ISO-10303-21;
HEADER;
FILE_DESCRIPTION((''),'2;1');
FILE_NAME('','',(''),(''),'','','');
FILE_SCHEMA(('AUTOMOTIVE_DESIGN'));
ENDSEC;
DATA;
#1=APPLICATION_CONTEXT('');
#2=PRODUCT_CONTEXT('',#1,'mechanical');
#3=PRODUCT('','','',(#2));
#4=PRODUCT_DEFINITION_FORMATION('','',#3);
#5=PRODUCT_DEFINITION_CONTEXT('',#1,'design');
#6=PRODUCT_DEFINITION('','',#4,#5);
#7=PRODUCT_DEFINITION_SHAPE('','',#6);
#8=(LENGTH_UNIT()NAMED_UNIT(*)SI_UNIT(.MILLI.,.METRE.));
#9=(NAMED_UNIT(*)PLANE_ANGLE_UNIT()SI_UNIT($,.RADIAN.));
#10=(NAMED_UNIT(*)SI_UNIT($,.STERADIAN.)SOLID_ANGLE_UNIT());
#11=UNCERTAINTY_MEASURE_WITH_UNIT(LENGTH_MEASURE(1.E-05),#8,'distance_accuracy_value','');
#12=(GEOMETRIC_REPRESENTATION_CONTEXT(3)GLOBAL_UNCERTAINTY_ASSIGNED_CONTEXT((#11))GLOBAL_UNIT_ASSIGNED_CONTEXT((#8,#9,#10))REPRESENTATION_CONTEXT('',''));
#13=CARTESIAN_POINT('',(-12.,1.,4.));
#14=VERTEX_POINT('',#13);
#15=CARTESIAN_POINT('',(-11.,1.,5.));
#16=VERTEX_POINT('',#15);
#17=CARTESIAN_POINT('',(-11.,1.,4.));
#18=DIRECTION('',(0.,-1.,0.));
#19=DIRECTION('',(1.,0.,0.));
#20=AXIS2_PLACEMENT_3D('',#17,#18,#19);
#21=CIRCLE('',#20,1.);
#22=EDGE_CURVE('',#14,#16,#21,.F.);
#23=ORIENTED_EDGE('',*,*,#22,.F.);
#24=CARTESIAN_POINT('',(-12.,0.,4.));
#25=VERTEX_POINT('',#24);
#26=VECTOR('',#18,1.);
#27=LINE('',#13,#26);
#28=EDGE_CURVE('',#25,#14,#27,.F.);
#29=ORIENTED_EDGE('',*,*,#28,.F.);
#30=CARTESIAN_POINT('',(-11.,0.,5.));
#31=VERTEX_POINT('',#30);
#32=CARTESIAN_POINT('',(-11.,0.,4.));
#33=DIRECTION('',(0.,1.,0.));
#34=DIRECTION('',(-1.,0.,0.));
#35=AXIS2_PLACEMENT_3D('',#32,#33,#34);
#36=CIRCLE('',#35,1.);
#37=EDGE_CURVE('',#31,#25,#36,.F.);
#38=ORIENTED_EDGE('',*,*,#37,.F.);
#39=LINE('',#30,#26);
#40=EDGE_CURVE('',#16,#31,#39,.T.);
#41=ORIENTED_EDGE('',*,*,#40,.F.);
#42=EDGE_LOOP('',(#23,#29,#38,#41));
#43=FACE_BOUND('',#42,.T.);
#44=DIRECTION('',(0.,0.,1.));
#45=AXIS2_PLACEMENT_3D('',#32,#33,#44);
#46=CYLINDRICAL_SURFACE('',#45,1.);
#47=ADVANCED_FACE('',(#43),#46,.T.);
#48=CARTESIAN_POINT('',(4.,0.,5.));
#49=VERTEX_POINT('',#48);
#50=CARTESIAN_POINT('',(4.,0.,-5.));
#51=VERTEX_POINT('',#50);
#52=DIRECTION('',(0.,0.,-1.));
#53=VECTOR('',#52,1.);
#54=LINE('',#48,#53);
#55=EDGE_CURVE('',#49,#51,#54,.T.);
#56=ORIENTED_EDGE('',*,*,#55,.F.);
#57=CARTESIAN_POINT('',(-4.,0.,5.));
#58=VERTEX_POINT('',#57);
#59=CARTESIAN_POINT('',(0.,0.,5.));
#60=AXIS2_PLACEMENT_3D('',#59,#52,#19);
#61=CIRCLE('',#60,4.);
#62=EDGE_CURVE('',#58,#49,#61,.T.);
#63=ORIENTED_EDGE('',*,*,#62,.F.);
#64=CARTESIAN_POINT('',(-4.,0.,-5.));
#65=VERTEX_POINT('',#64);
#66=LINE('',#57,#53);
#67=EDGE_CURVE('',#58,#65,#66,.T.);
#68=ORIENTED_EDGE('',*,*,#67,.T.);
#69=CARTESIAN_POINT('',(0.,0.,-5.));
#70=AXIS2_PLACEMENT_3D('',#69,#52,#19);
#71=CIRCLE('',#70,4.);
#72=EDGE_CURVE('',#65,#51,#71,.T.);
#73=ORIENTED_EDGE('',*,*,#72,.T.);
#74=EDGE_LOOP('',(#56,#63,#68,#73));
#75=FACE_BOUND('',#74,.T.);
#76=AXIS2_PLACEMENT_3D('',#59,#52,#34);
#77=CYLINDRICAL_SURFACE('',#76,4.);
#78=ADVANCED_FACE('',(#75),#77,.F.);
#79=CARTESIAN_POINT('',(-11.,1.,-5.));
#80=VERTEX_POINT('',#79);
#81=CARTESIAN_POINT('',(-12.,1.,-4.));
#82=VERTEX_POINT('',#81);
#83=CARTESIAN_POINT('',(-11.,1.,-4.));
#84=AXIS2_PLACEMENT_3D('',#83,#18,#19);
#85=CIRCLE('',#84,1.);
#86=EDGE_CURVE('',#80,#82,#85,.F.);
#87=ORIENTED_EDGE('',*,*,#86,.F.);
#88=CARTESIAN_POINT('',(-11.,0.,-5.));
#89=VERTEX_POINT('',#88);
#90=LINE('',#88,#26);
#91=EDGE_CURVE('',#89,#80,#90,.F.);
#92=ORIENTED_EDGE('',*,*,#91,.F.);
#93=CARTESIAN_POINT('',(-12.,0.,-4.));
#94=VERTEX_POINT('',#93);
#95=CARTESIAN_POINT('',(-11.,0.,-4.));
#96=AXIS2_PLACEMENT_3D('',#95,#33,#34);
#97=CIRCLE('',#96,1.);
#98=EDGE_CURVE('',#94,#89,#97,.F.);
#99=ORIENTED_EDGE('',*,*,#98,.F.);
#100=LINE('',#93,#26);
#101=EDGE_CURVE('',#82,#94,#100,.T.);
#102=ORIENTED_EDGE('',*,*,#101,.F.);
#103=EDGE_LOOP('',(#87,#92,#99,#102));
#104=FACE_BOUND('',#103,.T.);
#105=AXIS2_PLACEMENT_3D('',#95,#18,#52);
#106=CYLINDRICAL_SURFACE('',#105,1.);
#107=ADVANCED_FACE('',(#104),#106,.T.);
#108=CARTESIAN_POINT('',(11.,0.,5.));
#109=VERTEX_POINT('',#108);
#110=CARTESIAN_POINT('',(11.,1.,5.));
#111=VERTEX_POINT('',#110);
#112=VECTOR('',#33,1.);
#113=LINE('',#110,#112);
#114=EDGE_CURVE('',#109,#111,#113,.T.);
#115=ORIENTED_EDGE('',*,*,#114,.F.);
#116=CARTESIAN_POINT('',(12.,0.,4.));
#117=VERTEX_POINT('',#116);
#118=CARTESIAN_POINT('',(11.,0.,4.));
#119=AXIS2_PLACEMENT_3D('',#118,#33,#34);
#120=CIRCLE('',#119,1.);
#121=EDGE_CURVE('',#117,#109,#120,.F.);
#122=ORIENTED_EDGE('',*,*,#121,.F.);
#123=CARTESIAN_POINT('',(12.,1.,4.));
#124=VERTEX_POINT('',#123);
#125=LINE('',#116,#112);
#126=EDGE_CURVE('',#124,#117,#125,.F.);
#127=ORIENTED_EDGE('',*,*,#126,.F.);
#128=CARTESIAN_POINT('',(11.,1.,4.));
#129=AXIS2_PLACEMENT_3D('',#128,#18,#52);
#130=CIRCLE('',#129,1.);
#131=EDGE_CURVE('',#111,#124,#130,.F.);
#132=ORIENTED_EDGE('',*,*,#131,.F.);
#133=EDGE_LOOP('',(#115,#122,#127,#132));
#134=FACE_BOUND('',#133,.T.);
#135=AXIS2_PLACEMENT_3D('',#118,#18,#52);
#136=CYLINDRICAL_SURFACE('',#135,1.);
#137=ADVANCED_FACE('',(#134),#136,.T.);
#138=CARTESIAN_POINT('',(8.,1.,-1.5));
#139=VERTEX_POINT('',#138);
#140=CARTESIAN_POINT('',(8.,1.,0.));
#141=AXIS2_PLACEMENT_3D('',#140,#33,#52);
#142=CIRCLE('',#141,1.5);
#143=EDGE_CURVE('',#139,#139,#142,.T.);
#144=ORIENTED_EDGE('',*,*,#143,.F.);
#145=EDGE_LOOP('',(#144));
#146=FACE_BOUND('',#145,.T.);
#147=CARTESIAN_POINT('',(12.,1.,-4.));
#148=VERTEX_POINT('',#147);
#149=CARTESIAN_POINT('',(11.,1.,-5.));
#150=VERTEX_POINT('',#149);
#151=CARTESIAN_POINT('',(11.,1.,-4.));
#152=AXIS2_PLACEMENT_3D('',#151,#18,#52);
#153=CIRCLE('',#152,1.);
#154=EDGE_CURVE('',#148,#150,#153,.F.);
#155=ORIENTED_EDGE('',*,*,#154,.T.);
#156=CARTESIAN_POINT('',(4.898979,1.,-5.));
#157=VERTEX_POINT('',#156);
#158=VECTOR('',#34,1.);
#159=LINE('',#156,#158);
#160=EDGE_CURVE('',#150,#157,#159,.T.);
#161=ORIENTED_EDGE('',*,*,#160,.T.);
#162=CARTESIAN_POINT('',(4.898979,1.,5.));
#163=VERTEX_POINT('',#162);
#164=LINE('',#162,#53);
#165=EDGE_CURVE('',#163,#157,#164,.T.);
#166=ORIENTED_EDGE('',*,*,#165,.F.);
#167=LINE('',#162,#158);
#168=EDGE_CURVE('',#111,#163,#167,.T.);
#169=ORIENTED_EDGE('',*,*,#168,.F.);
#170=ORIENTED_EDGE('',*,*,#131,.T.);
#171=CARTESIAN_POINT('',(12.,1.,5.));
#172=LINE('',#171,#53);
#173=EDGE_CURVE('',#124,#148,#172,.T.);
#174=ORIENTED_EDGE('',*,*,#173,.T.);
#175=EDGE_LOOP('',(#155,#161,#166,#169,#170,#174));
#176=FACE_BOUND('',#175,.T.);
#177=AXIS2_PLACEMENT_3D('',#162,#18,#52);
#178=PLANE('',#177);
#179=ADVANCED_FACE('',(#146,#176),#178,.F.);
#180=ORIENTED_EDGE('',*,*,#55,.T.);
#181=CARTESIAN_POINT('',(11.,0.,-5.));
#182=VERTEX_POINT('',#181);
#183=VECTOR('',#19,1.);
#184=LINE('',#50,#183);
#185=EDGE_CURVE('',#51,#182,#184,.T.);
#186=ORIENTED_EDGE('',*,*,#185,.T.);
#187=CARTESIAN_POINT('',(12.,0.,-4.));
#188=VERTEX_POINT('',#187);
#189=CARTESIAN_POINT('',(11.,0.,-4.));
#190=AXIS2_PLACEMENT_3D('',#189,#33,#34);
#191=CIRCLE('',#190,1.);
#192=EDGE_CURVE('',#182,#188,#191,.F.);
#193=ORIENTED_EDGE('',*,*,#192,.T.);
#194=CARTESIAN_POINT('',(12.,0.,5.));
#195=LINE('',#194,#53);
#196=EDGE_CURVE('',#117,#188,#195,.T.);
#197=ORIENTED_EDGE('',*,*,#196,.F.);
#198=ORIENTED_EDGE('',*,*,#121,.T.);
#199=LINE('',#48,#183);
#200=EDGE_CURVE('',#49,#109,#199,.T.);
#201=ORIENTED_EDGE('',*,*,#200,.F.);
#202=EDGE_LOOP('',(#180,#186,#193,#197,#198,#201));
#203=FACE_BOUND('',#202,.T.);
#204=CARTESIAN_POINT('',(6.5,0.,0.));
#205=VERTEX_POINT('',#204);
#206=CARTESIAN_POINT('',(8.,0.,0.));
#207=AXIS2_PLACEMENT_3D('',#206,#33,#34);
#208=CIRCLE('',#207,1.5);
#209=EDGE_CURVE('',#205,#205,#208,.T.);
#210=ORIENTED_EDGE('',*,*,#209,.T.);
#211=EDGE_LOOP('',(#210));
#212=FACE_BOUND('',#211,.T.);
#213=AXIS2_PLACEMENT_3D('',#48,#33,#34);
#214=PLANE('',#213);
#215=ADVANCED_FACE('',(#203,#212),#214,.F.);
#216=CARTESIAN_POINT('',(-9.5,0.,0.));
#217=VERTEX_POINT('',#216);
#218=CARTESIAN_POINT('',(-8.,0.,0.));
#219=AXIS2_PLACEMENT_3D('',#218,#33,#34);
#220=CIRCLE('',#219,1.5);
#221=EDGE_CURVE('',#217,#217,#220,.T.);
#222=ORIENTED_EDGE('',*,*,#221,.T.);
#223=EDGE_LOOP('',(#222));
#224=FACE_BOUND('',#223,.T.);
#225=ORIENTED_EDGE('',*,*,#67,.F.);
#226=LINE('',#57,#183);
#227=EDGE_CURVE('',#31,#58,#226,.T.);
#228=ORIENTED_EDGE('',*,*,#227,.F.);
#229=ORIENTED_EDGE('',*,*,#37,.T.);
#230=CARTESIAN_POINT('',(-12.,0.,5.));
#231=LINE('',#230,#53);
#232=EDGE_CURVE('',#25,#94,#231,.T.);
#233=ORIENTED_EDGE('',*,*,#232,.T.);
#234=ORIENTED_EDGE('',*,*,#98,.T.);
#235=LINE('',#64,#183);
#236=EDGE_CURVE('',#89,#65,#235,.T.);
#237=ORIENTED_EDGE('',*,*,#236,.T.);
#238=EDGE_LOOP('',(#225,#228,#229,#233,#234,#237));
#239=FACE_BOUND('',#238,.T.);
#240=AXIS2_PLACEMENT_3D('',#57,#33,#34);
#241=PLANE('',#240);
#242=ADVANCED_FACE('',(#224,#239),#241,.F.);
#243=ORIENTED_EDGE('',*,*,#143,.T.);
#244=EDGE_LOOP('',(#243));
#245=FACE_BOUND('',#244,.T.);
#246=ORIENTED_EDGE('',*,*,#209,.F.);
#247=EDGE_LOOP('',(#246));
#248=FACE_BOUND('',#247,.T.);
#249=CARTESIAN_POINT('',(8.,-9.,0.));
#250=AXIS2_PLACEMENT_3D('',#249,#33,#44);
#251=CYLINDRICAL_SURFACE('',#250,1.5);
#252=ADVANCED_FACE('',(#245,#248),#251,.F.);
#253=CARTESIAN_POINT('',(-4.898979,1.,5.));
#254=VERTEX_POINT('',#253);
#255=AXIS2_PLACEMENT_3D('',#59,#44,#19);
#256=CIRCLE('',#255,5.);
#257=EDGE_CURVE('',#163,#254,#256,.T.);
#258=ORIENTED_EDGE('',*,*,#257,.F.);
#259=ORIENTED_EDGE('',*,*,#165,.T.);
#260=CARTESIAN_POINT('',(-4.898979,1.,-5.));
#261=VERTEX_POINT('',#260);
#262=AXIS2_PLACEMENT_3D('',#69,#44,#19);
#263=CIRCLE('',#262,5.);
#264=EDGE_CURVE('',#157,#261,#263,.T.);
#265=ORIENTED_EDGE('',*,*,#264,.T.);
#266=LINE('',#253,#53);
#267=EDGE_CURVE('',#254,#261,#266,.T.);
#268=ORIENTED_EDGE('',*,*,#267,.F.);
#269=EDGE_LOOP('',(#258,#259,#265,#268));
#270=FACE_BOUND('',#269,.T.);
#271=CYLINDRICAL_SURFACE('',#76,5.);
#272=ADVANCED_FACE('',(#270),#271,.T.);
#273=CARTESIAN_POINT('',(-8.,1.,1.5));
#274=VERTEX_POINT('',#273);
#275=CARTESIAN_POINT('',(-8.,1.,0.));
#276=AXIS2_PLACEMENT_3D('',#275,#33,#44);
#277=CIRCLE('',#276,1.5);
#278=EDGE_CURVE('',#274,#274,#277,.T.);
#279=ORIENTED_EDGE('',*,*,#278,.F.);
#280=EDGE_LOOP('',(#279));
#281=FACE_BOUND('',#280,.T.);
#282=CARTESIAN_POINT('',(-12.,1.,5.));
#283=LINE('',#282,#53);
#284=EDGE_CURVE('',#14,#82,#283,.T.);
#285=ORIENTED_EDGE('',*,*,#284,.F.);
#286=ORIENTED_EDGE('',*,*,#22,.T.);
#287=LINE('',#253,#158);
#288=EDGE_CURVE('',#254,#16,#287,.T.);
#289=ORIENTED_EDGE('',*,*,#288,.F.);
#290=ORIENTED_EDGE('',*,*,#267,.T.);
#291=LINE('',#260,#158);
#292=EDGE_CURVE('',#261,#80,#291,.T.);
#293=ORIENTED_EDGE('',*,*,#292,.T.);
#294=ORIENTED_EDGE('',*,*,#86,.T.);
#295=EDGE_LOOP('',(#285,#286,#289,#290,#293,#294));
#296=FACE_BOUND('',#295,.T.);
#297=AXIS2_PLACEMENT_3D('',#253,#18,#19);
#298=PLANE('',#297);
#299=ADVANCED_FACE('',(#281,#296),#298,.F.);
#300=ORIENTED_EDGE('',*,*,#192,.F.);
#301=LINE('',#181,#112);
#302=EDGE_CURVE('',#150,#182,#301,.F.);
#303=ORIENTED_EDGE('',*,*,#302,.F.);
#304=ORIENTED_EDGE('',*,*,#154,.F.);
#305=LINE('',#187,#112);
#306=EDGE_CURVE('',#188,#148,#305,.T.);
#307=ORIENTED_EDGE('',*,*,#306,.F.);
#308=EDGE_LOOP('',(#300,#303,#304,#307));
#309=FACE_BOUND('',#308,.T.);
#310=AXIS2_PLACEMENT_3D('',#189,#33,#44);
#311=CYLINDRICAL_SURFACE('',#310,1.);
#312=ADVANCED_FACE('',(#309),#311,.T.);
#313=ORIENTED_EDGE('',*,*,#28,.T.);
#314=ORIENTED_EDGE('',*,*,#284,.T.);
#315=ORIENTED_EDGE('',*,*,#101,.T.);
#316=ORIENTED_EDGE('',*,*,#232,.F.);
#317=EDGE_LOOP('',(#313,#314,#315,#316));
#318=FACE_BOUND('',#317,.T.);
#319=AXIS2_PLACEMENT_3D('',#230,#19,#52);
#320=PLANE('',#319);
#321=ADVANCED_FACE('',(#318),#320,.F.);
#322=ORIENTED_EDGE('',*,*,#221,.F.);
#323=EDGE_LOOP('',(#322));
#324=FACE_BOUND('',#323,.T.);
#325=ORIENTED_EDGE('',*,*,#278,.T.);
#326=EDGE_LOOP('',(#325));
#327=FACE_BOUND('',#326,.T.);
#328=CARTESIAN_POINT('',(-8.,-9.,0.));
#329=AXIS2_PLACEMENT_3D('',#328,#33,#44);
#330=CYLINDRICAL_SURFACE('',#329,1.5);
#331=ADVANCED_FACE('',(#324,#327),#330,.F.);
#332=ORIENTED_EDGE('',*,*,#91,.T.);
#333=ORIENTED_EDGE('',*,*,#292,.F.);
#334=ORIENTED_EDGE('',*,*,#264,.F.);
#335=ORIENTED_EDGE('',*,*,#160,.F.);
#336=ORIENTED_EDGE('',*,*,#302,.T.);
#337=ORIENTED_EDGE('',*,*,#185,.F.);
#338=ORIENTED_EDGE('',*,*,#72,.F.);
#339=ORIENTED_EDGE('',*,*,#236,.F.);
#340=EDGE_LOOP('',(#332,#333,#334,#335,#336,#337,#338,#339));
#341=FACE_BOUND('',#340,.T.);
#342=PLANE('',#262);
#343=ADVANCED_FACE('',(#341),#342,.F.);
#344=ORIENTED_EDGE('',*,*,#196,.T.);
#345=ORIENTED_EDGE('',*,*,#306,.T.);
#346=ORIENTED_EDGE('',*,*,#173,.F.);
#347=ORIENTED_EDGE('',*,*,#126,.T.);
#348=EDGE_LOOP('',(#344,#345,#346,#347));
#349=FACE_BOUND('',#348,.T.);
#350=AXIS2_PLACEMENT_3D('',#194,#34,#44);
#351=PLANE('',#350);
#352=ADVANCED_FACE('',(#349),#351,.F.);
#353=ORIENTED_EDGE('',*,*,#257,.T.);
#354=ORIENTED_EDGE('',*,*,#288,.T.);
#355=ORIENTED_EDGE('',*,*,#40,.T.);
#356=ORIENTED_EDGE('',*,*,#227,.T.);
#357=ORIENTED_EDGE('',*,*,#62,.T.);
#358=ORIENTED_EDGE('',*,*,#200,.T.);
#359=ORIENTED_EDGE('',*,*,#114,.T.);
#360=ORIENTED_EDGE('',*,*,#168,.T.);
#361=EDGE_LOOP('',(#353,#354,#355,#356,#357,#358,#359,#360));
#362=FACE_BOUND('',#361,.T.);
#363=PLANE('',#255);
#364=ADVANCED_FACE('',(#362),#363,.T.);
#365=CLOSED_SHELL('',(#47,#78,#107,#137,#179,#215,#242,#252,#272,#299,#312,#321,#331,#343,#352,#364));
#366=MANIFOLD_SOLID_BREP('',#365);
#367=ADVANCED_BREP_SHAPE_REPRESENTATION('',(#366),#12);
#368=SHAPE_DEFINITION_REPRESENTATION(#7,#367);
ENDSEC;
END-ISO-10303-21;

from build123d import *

# Parameters (mm, degrees)
BOSS_EXTRUDE1_DEPTH = 5
FILLET1_R           = 1
SKETCH2_R           = 1.5
CUT_EXTRUDE1_DEPTH  = 10


with BuildPart() as part:
    # Sketch1 → Boss-Extrude1 (new body, symmetric)
    with BuildSketch(Plane.XY):
        with BuildLine():
            Line((4, 0), (12, 0))
            Line((12, 0), (12, 1))
            Line((12, 1), (4.898979486, 1))
            ThreePointArc((4.898979486, 1), (0, 5), (-4.898979486, 1))
            Line((-4.898979486, 1), (-12, 1))
            Line((-12, 1), (-12, 0))
            Line((-12, 0), (-4, 0))
            ThreePointArc((-4, 0), (0, 4), (4, 0))
        make_face()
    extrude(amount=BOSS_EXTRUDE1_DEPTH, both=True)

    # Fillet1
    fillet1_edges = [part.edges().sort_by_distance(p)[0] for p in [
        (-12, 0.5, -5),
        (-12, 0.5, 5),
        (12, 0.5, 5),
        (12, 0.5, -5),
    ]]
    fillet(fillet1_edges, radius=FILLET1_R)

    # Sketch2 → Cut-Extrude1 (cut)
    with BuildSketch(Plane(origin=(0, 1, 0), x_dir=(1, 0, 0), z_dir=(0, 1, 0))):
        with Locations((-8, 0)):
            Circle(SKETCH2_R)
        with Locations((8, 0)):
            Circle(SKETCH2_R)
    extrude(amount=-CUT_EXTRUDE1_DEPTH, mode=Mode.SUBTRACT)


solid = part.part
